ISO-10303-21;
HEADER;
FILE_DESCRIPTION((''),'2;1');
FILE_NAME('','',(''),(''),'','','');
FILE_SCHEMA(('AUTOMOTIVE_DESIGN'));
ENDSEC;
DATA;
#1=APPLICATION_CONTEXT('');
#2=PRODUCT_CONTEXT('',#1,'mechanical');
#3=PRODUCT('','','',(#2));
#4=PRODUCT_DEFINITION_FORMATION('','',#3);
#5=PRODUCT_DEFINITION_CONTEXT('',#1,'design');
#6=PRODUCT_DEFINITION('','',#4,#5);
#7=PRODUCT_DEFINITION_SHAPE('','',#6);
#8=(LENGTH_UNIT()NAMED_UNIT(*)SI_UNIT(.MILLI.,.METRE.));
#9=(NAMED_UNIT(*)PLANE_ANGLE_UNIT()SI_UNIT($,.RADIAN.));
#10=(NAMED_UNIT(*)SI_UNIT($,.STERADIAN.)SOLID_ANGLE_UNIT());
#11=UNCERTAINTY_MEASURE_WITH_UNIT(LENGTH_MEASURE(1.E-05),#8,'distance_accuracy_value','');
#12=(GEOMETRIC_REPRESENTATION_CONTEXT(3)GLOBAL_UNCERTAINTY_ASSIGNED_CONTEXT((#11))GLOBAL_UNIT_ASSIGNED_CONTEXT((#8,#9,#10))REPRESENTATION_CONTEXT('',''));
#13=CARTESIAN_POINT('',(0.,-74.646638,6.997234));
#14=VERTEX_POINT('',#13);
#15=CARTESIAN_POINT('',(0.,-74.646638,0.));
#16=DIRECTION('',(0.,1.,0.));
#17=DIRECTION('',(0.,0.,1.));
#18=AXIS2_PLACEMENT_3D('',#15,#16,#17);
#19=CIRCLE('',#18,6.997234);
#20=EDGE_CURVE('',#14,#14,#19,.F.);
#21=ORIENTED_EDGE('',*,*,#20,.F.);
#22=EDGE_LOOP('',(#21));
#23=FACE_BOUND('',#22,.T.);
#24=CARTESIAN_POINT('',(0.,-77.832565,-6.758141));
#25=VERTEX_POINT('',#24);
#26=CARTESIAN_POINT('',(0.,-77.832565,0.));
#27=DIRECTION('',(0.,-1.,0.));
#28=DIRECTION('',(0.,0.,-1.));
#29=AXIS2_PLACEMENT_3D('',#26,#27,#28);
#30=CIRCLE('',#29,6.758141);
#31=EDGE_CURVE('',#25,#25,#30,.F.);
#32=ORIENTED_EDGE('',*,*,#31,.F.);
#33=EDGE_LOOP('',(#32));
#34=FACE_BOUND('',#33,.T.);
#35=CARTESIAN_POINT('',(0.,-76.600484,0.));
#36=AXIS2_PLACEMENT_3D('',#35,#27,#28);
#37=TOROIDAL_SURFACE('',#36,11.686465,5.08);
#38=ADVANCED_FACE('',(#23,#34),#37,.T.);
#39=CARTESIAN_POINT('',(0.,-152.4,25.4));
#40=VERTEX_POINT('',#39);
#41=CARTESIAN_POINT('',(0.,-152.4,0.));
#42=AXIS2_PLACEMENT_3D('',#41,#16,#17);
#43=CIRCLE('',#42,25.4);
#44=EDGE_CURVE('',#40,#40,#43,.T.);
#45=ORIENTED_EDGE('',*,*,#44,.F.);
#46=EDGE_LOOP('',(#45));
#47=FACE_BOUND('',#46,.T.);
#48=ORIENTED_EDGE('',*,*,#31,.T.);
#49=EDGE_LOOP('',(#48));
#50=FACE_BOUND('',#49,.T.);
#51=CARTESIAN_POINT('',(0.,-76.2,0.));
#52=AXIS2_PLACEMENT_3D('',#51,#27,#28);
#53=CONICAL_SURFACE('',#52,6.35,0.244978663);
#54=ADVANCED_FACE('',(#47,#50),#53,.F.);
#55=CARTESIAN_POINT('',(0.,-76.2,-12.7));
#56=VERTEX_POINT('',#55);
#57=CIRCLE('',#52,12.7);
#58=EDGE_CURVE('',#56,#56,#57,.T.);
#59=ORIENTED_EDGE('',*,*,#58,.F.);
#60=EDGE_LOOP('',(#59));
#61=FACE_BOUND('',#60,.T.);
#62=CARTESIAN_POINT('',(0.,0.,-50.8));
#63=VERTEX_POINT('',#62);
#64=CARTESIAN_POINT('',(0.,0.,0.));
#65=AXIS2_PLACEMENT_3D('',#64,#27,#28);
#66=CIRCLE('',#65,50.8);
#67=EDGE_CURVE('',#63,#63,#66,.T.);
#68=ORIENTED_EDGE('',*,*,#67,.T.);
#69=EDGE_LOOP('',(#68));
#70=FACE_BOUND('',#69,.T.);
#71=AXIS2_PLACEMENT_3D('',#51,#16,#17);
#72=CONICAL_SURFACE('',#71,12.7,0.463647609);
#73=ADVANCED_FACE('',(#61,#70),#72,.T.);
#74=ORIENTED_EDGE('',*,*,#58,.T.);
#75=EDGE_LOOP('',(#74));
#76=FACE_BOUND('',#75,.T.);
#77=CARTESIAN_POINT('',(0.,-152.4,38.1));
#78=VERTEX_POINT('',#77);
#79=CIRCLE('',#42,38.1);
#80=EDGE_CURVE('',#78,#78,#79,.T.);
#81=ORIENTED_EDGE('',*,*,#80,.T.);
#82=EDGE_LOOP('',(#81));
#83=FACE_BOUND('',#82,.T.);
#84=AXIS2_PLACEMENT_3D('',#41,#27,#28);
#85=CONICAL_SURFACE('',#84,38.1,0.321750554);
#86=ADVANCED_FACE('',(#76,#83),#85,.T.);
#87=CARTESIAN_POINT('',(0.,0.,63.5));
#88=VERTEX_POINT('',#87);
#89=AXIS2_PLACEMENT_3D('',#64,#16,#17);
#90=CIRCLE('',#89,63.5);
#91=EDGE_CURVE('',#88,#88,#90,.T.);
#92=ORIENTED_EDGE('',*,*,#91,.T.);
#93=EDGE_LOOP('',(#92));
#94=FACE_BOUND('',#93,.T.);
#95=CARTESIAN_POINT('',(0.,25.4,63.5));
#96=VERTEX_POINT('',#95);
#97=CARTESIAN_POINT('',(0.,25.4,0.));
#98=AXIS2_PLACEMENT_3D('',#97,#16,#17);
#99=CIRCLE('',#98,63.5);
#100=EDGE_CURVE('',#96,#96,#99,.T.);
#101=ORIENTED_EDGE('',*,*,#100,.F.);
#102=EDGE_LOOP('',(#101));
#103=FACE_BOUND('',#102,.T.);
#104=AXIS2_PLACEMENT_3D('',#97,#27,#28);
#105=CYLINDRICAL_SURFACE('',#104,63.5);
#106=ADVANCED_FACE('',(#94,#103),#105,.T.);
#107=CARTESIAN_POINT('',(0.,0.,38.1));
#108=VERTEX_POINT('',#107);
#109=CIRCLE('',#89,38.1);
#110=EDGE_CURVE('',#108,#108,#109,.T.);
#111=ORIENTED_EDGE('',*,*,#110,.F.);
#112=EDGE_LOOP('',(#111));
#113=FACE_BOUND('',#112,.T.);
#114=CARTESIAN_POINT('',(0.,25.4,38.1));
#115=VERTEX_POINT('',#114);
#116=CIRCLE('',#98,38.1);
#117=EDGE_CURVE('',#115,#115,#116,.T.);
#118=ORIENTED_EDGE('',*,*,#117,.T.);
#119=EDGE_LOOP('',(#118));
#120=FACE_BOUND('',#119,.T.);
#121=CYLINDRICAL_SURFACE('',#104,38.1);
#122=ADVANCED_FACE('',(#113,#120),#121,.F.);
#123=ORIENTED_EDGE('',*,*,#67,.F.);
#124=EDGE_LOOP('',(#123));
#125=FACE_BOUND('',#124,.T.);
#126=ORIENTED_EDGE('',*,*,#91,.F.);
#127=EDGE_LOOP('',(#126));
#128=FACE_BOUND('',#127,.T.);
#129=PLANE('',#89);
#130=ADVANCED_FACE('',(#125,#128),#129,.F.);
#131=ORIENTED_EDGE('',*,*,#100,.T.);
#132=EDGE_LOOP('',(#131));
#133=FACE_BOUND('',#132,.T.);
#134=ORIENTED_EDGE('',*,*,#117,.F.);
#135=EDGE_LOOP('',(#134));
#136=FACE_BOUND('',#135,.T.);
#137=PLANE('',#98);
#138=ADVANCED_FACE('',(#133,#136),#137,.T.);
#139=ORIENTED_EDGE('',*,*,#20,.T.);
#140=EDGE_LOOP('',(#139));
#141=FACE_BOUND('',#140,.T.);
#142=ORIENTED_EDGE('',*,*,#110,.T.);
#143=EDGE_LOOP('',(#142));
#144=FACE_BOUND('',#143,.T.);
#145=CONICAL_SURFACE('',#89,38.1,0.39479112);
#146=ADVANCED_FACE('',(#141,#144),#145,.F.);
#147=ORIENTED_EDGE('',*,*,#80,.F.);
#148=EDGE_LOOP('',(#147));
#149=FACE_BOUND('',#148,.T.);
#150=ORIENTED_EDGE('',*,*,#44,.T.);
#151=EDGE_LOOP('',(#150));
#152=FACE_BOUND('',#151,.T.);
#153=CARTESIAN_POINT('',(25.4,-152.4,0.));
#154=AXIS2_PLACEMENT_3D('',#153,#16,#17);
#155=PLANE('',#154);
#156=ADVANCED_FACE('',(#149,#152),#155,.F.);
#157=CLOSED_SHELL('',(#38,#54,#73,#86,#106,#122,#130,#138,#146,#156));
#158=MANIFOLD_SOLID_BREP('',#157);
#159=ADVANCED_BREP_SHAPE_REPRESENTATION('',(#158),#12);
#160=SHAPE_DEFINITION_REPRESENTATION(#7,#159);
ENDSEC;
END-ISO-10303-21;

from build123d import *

# Parameters (mm, degrees)
SKETCH1_R           = 63.5
SKETCH1_R_2         = 38.1
BOSS_EXTRUDE1_DEPTH = 25.4
FILLET1_R           = 5.08


with BuildPart() as part:
    # Sketch1 → Boss-Extrude1 (new body)
    with BuildSketch(Plane(origin=(0, 0, 0), x_dir=(1, 0, 0), z_dir=(0, 1, 0))):
        Circle(SKETCH1_R)
        Circle(SKETCH1_R_2, mode=Mode.SUBTRACT)
    extrude(amount=BOSS_EXTRUDE1_DEPTH)

    # Sketch4 → Revolve1 (revolve)
    with BuildSketch(Plane.XY):
        Polygon((50.8, 0), (12.7, -76.2), (6.35, -76.2), (38.1, 0), align=None)
    revolve(axis=Axis((0, -76.2, 0), (0, 1, 0)))

    # Sketch6 → Revolve2 (revolve)
    with BuildSketch(Plane.XY):
        Polygon((12.7, -76.2), (38.1, -152.4), (25.4, -152.4), (6.35, -76.2), align=None)
    revolve(axis=Axis((0, -76.2, 0), (0, -1, 0)))

    # Fillet1
    fillet1_edges = [part.edges().sort_by_distance(p)[0] for p in [
        (-6.35, -76.2, 0),
    ]]
    fillet(fillet1_edges, radius=FILLET1_R)


solid = part.part
